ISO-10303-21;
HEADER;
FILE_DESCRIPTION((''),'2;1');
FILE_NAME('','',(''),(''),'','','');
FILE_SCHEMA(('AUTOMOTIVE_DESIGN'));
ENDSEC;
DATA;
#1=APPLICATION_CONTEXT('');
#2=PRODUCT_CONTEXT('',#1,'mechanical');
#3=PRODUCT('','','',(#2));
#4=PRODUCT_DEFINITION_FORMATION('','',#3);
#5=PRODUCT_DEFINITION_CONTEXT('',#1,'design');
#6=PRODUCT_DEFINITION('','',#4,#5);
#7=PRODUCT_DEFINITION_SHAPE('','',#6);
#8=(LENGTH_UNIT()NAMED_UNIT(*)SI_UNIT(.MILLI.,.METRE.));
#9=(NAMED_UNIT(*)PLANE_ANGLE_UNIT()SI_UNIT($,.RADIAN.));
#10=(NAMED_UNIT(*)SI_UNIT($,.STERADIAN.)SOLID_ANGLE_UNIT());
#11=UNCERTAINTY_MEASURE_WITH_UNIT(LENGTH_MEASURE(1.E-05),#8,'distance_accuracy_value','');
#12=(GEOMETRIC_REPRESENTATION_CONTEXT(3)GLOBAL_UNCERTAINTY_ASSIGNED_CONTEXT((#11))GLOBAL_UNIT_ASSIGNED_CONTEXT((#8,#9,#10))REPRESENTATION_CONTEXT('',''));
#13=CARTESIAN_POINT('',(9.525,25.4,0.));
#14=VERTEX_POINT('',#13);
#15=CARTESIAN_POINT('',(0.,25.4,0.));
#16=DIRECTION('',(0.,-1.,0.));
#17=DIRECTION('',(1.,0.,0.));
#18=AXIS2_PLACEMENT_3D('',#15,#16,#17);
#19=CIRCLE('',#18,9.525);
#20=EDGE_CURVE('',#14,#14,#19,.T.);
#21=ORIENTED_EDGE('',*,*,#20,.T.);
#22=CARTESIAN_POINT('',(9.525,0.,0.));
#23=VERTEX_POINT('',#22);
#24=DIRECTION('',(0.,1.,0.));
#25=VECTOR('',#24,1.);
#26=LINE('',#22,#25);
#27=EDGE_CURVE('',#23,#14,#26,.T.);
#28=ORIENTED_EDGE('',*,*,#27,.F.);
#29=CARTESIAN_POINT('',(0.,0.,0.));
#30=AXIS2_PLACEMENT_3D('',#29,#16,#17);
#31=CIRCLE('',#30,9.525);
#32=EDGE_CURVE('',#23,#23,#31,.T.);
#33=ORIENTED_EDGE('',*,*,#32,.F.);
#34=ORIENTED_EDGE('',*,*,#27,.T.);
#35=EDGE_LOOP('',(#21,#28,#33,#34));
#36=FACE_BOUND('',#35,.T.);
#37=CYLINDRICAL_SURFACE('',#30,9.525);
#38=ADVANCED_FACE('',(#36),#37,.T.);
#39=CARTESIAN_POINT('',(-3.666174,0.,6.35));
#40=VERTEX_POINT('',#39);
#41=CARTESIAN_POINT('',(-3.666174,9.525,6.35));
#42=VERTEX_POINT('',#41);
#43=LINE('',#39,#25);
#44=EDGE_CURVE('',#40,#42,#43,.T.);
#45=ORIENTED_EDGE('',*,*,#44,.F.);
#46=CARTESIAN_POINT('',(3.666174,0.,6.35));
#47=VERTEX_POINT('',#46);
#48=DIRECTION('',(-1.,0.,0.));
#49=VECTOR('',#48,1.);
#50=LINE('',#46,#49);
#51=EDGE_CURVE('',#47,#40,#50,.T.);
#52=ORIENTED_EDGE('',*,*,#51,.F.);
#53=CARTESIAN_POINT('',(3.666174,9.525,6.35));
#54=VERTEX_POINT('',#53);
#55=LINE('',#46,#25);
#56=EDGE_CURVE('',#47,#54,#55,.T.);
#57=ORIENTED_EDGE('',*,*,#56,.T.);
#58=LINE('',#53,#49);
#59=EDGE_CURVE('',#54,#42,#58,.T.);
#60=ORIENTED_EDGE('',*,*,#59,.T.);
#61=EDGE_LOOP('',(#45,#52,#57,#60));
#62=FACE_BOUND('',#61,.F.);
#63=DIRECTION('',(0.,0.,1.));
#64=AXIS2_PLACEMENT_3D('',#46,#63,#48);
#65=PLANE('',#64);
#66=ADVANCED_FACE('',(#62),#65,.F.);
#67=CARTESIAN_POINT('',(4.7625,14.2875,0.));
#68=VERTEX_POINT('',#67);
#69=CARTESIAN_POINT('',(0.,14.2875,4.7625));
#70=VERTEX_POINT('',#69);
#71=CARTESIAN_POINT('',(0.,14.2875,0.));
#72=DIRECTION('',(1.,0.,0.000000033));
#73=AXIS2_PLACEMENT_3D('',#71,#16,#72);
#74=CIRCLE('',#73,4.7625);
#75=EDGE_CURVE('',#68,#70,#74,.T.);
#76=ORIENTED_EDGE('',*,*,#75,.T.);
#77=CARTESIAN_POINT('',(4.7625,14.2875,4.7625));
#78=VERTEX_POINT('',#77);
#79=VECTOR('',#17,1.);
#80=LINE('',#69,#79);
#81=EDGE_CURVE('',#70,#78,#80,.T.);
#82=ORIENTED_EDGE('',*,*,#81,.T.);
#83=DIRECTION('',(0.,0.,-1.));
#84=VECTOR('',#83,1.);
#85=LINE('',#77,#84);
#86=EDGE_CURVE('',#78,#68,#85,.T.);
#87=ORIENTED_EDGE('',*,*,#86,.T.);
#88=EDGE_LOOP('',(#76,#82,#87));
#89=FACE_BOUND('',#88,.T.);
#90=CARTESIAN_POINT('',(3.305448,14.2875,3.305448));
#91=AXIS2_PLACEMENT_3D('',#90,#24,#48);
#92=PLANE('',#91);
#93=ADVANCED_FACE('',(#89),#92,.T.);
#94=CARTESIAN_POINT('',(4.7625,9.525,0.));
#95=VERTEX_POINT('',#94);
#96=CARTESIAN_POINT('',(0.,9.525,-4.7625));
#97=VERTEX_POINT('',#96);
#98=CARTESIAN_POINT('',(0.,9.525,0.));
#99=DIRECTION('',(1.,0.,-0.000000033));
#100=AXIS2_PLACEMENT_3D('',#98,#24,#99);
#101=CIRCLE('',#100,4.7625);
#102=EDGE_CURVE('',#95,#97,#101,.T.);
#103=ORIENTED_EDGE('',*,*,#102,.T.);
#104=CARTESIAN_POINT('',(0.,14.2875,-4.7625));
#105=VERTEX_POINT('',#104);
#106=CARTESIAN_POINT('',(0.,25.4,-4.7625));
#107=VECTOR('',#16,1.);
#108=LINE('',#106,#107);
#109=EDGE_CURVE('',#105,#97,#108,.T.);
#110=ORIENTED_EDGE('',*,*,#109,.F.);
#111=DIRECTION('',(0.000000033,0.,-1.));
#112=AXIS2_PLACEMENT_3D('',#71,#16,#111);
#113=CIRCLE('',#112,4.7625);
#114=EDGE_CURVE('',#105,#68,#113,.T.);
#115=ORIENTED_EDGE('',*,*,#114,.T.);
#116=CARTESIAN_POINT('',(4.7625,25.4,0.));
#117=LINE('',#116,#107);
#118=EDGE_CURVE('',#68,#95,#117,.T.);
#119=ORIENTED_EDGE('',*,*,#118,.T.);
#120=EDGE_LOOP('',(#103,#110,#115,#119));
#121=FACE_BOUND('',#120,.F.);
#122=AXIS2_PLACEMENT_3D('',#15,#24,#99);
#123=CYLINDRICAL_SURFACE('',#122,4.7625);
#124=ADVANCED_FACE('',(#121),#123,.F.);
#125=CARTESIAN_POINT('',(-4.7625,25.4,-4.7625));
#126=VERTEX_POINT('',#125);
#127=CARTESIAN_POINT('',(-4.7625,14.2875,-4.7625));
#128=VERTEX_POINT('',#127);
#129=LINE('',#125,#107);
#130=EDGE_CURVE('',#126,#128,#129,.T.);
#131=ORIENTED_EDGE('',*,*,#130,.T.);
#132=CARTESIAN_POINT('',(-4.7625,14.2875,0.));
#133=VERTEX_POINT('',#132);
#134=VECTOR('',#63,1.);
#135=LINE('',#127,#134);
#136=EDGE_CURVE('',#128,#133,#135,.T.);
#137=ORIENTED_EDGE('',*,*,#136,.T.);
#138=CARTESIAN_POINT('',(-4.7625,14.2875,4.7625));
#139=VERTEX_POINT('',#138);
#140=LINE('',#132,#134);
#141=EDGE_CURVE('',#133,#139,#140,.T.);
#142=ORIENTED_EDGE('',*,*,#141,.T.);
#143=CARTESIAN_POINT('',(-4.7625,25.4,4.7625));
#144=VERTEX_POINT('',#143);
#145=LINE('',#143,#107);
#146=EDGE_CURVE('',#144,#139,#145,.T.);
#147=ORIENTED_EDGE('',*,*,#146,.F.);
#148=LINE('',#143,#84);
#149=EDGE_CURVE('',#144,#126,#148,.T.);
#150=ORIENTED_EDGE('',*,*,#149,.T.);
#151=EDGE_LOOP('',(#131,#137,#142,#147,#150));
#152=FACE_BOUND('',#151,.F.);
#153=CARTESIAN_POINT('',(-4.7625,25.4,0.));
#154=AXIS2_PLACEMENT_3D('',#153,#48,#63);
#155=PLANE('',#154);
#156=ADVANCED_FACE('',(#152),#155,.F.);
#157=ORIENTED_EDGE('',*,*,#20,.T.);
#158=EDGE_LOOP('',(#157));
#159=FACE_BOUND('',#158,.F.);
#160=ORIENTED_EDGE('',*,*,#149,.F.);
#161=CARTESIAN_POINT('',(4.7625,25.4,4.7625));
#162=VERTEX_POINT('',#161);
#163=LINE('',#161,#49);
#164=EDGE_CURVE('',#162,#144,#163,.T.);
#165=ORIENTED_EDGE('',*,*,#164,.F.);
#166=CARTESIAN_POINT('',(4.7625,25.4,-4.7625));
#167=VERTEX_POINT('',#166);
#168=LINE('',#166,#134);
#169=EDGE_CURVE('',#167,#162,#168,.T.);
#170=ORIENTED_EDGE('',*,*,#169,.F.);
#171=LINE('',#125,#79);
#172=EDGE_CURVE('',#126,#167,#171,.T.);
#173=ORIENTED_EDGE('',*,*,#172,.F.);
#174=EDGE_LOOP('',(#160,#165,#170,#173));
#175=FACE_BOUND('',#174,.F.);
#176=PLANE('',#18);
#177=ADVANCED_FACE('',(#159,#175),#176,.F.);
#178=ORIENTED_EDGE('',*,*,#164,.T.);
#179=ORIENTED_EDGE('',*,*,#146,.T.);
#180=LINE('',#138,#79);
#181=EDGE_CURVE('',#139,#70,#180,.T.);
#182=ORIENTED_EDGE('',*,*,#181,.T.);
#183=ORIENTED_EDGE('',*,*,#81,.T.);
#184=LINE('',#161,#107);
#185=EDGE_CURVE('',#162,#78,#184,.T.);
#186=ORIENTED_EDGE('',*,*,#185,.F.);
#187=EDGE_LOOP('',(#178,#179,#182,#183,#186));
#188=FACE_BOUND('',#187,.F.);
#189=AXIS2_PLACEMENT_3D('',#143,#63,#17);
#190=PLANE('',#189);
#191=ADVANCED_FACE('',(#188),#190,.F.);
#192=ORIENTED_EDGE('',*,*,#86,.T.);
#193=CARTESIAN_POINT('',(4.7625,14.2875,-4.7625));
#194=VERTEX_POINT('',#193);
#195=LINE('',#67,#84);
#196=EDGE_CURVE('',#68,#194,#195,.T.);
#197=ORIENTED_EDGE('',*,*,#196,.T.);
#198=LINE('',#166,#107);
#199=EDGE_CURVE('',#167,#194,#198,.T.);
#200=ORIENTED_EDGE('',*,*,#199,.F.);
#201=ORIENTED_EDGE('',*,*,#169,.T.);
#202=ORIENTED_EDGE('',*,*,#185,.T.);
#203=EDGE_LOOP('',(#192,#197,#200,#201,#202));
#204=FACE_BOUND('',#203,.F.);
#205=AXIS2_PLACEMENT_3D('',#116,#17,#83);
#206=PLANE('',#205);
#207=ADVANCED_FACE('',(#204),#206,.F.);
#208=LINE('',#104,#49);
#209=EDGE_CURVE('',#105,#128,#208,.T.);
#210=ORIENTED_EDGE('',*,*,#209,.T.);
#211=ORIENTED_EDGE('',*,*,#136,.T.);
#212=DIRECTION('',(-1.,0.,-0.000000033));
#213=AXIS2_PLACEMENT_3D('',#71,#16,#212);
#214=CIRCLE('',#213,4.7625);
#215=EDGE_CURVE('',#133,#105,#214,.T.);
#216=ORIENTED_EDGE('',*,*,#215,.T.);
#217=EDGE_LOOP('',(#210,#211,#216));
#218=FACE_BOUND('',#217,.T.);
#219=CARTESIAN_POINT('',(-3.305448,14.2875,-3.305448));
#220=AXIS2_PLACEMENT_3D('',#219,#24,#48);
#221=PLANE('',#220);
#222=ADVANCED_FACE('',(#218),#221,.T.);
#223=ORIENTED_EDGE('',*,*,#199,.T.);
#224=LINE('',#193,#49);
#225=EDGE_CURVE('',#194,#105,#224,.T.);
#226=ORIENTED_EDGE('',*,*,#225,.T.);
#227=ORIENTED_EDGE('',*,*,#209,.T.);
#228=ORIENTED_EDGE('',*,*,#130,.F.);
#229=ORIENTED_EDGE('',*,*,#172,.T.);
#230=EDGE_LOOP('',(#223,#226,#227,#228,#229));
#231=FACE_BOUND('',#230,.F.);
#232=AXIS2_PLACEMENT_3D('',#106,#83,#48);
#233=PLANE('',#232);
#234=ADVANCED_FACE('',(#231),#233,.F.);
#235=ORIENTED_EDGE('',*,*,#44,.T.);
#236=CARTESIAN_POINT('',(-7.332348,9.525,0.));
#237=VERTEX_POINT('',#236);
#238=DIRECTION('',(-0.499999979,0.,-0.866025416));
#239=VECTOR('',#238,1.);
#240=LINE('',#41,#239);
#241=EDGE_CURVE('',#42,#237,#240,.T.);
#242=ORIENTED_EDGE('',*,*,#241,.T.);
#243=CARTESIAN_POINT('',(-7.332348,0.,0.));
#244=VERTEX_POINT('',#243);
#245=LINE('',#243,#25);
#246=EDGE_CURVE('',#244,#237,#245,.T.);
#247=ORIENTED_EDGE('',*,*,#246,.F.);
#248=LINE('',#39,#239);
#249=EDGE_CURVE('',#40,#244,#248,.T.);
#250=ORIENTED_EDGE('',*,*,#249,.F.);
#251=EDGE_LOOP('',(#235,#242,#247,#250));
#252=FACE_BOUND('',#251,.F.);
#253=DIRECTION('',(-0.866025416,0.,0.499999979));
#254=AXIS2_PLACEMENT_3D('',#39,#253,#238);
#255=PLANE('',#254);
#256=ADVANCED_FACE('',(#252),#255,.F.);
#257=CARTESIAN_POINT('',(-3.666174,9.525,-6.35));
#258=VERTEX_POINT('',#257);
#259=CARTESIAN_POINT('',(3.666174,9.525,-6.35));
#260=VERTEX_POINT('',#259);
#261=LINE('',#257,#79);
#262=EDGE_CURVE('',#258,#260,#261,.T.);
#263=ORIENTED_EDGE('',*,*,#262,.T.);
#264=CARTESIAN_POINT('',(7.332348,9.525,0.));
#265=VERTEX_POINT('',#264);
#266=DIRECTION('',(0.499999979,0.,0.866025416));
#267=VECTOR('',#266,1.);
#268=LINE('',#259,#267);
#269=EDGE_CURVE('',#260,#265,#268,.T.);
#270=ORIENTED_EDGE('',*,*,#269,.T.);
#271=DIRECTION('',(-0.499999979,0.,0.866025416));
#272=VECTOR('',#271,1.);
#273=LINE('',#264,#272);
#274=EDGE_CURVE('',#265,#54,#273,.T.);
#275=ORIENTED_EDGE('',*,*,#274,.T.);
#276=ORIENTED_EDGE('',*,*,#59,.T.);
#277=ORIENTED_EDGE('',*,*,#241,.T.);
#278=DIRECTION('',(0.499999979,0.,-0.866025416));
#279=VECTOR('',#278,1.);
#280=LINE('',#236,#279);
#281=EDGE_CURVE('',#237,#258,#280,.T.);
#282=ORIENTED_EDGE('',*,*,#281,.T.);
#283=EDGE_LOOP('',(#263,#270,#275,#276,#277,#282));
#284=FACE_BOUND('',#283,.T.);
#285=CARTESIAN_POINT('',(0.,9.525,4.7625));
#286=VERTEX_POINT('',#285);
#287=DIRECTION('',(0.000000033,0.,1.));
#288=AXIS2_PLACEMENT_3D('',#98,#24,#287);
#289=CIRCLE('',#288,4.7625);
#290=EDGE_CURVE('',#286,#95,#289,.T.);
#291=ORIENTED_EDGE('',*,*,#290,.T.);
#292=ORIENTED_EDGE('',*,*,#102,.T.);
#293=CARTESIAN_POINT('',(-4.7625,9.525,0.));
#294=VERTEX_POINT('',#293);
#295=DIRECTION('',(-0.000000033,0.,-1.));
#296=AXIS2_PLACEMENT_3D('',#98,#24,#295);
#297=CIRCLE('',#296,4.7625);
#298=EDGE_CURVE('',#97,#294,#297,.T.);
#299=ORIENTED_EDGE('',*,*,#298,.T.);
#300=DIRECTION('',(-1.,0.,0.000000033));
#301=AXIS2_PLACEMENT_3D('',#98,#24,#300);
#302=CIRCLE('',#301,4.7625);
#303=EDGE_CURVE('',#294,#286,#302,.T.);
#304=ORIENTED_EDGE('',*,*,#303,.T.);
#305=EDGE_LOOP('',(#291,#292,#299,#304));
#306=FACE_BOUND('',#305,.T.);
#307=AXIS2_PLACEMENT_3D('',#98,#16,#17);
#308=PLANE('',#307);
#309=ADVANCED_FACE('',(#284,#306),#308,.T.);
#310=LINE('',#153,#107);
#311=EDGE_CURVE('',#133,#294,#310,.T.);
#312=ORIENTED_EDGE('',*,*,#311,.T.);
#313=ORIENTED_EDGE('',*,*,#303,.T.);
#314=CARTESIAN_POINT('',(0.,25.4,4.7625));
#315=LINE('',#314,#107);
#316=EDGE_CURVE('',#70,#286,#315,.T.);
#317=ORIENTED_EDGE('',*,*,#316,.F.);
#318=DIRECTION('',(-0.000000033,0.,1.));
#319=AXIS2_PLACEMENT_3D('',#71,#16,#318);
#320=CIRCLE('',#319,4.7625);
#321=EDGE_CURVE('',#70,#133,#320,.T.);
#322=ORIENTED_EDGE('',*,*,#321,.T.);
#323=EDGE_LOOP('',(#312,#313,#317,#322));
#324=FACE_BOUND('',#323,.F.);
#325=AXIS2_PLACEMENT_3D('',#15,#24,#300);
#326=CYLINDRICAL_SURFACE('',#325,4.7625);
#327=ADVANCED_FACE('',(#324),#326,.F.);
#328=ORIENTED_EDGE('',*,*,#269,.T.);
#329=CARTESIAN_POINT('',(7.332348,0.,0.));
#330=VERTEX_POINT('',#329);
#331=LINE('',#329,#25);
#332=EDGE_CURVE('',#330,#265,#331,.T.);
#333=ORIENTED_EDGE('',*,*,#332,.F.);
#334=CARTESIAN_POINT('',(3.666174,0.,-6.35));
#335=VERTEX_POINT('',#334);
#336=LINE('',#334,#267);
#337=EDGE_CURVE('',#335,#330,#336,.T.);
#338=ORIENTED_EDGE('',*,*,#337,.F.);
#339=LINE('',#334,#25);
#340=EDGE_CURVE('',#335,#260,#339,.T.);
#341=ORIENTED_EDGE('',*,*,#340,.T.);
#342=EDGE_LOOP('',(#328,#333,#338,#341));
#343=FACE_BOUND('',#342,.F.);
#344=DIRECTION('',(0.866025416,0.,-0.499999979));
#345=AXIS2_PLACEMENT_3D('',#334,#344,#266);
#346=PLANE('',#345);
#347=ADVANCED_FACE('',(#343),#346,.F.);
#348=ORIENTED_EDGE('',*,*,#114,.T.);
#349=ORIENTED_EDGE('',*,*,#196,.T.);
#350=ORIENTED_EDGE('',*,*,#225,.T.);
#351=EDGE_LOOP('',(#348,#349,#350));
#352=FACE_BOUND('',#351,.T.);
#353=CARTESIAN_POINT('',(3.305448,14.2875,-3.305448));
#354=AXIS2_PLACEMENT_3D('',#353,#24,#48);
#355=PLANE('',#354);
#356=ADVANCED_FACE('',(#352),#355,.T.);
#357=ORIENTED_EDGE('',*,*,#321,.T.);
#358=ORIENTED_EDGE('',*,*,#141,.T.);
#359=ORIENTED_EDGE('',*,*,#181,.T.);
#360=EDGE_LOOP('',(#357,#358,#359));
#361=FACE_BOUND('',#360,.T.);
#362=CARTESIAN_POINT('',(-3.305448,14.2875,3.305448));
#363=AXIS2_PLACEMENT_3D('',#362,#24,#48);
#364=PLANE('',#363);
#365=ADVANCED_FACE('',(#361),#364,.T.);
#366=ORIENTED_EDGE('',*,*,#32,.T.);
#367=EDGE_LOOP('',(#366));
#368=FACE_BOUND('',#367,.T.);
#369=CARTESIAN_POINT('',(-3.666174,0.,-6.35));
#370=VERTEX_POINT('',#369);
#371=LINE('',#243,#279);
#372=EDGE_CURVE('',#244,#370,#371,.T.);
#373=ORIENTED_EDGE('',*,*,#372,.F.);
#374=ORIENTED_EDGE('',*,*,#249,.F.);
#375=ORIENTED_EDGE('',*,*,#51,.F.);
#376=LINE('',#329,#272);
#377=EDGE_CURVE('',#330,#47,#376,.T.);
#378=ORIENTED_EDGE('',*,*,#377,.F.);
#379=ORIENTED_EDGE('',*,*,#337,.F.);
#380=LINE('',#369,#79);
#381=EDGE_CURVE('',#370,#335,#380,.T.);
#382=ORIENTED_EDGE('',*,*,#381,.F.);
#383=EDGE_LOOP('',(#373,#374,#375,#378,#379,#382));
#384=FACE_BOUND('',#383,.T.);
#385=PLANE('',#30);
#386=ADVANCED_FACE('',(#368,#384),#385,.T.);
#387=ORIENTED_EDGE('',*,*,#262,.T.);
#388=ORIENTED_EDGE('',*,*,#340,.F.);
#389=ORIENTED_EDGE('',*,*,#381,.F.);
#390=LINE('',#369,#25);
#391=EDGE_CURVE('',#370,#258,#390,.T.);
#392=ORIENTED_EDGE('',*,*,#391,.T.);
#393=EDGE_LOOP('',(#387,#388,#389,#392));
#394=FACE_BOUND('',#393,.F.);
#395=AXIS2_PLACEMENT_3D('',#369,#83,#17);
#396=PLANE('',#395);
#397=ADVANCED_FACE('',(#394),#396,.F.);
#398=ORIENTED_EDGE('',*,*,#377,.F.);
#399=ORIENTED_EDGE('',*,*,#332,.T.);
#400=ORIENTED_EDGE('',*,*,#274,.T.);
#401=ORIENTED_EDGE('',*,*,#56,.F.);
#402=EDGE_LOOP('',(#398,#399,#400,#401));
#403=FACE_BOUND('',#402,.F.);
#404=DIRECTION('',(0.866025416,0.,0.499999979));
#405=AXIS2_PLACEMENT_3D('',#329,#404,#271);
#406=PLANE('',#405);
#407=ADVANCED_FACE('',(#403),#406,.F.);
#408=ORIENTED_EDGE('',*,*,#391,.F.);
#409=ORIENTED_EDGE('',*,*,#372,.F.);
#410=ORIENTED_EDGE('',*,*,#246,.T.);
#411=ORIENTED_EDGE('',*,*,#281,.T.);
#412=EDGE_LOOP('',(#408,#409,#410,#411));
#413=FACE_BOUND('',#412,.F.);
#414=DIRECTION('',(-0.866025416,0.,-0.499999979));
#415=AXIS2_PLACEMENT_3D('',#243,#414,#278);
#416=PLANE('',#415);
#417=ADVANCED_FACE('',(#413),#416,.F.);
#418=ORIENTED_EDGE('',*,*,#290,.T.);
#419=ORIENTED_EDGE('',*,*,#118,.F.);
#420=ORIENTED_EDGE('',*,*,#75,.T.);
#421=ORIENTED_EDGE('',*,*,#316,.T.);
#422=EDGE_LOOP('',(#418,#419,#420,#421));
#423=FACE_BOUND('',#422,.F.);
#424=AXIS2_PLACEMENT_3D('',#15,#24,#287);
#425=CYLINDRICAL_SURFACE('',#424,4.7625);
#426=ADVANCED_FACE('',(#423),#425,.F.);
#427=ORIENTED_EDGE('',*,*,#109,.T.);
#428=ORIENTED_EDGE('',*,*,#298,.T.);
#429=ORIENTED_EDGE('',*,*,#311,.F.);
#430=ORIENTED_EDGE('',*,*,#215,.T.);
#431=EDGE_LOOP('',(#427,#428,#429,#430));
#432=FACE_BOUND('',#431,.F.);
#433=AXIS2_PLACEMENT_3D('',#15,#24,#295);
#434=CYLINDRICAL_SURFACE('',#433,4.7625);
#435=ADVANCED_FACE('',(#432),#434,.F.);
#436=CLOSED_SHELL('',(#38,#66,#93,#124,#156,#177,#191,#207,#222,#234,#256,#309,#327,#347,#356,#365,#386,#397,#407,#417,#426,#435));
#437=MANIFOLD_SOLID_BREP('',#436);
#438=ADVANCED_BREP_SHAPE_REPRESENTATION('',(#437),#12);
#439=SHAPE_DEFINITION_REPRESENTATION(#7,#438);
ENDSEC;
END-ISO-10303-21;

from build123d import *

# Parameters (mm, degrees)
F0_R     = 9.525
F1_DEPTH = 25.4
F3_DEPTH = 25.401
F4_DEPTH = 11.1125
F6_DEPTH = 9.525


with BuildPart() as f1:
    # F0 (on Front) → F1 (new body)
    with BuildSketch(Plane.XZ):
        Circle(F0_R)
    extrude(amount=-F1_DEPTH)

    # F2 (on face) → F3 (cut, through all)
    with BuildSketch(Plane(origin=(0, 25.4, 0), x_dir=(-1, 0, 0), z_dir=(0, 1, 0))):
        with BuildLine():
            ThreePointArc((-4.7625, 0), (-3.367596, -3.367596), (0, -4.7625))
            ThreePointArc((0, -4.7625), (3.367596, -3.367596), (4.7625, 0))
            ThreePointArc((4.7625, 0), (3.367596, 3.367596), (0, 4.7625))
            ThreePointArc((0, 4.7625), (-3.367596, 3.367596), (-4.7625, 0))
        make_face()
    extrude(amount=-F3_DEPTH, mode=Mode.SUBTRACT)

    # F2 (on face) → F4 (cut)
    with BuildSketch(Plane(origin=(0, 25.4, 0), x_dir=(-1, 0, 0), z_dir=(0, 1, 0))):
        with BuildLine():
            Line((-4.7625, 0), (-4.7625, -4.7625))
            Line((-4.7625, -4.7625), (0, -4.7625))
            ThreePointArc((0, -4.7625), (-3.367596, -3.367596), (-4.7625, 0))
        make_face()
        with BuildLine():
            ThreePointArc((4.7625, 0), (3.367596, -3.367596), (0, -4.7625))
            Line((0, -4.7625), (4.7625, -4.7625))
            Line((4.7625, -4.7625), (4.7625, 0))
        make_face()
        with BuildLine():
            Line((-4.7625, 4.7625), (-4.7625, 0))
            ThreePointArc((-4.7625, 0), (-3.367596, 3.367596), (0, 4.7625))
            Line((0, 4.7625), (-4.7625, 4.7625))
        make_face()
        with BuildLine():
            ThreePointArc((0, 4.7625), (3.367596, 3.367596), (4.7625, 0))
            Line((4.7625, 0), (4.7625, 4.7625))
            Line((4.7625, 4.7625), (0, 4.7625))
        make_face()
    extrude(amount=-F4_DEPTH, mode=Mode.SUBTRACT)

    # F5 (on face) → F6 (cut)
    with BuildSketch(Plane.XZ):
        Polygon((-7.332348, 0), (-3.666174, -6.35), (3.666174, -6.35), (7.332348, 0), (3.666174, 6.35), (-3.666174, 6.35), align=None)
    extrude(amount=-F6_DEPTH, mode=Mode.SUBTRACT)


solid = f1.part
